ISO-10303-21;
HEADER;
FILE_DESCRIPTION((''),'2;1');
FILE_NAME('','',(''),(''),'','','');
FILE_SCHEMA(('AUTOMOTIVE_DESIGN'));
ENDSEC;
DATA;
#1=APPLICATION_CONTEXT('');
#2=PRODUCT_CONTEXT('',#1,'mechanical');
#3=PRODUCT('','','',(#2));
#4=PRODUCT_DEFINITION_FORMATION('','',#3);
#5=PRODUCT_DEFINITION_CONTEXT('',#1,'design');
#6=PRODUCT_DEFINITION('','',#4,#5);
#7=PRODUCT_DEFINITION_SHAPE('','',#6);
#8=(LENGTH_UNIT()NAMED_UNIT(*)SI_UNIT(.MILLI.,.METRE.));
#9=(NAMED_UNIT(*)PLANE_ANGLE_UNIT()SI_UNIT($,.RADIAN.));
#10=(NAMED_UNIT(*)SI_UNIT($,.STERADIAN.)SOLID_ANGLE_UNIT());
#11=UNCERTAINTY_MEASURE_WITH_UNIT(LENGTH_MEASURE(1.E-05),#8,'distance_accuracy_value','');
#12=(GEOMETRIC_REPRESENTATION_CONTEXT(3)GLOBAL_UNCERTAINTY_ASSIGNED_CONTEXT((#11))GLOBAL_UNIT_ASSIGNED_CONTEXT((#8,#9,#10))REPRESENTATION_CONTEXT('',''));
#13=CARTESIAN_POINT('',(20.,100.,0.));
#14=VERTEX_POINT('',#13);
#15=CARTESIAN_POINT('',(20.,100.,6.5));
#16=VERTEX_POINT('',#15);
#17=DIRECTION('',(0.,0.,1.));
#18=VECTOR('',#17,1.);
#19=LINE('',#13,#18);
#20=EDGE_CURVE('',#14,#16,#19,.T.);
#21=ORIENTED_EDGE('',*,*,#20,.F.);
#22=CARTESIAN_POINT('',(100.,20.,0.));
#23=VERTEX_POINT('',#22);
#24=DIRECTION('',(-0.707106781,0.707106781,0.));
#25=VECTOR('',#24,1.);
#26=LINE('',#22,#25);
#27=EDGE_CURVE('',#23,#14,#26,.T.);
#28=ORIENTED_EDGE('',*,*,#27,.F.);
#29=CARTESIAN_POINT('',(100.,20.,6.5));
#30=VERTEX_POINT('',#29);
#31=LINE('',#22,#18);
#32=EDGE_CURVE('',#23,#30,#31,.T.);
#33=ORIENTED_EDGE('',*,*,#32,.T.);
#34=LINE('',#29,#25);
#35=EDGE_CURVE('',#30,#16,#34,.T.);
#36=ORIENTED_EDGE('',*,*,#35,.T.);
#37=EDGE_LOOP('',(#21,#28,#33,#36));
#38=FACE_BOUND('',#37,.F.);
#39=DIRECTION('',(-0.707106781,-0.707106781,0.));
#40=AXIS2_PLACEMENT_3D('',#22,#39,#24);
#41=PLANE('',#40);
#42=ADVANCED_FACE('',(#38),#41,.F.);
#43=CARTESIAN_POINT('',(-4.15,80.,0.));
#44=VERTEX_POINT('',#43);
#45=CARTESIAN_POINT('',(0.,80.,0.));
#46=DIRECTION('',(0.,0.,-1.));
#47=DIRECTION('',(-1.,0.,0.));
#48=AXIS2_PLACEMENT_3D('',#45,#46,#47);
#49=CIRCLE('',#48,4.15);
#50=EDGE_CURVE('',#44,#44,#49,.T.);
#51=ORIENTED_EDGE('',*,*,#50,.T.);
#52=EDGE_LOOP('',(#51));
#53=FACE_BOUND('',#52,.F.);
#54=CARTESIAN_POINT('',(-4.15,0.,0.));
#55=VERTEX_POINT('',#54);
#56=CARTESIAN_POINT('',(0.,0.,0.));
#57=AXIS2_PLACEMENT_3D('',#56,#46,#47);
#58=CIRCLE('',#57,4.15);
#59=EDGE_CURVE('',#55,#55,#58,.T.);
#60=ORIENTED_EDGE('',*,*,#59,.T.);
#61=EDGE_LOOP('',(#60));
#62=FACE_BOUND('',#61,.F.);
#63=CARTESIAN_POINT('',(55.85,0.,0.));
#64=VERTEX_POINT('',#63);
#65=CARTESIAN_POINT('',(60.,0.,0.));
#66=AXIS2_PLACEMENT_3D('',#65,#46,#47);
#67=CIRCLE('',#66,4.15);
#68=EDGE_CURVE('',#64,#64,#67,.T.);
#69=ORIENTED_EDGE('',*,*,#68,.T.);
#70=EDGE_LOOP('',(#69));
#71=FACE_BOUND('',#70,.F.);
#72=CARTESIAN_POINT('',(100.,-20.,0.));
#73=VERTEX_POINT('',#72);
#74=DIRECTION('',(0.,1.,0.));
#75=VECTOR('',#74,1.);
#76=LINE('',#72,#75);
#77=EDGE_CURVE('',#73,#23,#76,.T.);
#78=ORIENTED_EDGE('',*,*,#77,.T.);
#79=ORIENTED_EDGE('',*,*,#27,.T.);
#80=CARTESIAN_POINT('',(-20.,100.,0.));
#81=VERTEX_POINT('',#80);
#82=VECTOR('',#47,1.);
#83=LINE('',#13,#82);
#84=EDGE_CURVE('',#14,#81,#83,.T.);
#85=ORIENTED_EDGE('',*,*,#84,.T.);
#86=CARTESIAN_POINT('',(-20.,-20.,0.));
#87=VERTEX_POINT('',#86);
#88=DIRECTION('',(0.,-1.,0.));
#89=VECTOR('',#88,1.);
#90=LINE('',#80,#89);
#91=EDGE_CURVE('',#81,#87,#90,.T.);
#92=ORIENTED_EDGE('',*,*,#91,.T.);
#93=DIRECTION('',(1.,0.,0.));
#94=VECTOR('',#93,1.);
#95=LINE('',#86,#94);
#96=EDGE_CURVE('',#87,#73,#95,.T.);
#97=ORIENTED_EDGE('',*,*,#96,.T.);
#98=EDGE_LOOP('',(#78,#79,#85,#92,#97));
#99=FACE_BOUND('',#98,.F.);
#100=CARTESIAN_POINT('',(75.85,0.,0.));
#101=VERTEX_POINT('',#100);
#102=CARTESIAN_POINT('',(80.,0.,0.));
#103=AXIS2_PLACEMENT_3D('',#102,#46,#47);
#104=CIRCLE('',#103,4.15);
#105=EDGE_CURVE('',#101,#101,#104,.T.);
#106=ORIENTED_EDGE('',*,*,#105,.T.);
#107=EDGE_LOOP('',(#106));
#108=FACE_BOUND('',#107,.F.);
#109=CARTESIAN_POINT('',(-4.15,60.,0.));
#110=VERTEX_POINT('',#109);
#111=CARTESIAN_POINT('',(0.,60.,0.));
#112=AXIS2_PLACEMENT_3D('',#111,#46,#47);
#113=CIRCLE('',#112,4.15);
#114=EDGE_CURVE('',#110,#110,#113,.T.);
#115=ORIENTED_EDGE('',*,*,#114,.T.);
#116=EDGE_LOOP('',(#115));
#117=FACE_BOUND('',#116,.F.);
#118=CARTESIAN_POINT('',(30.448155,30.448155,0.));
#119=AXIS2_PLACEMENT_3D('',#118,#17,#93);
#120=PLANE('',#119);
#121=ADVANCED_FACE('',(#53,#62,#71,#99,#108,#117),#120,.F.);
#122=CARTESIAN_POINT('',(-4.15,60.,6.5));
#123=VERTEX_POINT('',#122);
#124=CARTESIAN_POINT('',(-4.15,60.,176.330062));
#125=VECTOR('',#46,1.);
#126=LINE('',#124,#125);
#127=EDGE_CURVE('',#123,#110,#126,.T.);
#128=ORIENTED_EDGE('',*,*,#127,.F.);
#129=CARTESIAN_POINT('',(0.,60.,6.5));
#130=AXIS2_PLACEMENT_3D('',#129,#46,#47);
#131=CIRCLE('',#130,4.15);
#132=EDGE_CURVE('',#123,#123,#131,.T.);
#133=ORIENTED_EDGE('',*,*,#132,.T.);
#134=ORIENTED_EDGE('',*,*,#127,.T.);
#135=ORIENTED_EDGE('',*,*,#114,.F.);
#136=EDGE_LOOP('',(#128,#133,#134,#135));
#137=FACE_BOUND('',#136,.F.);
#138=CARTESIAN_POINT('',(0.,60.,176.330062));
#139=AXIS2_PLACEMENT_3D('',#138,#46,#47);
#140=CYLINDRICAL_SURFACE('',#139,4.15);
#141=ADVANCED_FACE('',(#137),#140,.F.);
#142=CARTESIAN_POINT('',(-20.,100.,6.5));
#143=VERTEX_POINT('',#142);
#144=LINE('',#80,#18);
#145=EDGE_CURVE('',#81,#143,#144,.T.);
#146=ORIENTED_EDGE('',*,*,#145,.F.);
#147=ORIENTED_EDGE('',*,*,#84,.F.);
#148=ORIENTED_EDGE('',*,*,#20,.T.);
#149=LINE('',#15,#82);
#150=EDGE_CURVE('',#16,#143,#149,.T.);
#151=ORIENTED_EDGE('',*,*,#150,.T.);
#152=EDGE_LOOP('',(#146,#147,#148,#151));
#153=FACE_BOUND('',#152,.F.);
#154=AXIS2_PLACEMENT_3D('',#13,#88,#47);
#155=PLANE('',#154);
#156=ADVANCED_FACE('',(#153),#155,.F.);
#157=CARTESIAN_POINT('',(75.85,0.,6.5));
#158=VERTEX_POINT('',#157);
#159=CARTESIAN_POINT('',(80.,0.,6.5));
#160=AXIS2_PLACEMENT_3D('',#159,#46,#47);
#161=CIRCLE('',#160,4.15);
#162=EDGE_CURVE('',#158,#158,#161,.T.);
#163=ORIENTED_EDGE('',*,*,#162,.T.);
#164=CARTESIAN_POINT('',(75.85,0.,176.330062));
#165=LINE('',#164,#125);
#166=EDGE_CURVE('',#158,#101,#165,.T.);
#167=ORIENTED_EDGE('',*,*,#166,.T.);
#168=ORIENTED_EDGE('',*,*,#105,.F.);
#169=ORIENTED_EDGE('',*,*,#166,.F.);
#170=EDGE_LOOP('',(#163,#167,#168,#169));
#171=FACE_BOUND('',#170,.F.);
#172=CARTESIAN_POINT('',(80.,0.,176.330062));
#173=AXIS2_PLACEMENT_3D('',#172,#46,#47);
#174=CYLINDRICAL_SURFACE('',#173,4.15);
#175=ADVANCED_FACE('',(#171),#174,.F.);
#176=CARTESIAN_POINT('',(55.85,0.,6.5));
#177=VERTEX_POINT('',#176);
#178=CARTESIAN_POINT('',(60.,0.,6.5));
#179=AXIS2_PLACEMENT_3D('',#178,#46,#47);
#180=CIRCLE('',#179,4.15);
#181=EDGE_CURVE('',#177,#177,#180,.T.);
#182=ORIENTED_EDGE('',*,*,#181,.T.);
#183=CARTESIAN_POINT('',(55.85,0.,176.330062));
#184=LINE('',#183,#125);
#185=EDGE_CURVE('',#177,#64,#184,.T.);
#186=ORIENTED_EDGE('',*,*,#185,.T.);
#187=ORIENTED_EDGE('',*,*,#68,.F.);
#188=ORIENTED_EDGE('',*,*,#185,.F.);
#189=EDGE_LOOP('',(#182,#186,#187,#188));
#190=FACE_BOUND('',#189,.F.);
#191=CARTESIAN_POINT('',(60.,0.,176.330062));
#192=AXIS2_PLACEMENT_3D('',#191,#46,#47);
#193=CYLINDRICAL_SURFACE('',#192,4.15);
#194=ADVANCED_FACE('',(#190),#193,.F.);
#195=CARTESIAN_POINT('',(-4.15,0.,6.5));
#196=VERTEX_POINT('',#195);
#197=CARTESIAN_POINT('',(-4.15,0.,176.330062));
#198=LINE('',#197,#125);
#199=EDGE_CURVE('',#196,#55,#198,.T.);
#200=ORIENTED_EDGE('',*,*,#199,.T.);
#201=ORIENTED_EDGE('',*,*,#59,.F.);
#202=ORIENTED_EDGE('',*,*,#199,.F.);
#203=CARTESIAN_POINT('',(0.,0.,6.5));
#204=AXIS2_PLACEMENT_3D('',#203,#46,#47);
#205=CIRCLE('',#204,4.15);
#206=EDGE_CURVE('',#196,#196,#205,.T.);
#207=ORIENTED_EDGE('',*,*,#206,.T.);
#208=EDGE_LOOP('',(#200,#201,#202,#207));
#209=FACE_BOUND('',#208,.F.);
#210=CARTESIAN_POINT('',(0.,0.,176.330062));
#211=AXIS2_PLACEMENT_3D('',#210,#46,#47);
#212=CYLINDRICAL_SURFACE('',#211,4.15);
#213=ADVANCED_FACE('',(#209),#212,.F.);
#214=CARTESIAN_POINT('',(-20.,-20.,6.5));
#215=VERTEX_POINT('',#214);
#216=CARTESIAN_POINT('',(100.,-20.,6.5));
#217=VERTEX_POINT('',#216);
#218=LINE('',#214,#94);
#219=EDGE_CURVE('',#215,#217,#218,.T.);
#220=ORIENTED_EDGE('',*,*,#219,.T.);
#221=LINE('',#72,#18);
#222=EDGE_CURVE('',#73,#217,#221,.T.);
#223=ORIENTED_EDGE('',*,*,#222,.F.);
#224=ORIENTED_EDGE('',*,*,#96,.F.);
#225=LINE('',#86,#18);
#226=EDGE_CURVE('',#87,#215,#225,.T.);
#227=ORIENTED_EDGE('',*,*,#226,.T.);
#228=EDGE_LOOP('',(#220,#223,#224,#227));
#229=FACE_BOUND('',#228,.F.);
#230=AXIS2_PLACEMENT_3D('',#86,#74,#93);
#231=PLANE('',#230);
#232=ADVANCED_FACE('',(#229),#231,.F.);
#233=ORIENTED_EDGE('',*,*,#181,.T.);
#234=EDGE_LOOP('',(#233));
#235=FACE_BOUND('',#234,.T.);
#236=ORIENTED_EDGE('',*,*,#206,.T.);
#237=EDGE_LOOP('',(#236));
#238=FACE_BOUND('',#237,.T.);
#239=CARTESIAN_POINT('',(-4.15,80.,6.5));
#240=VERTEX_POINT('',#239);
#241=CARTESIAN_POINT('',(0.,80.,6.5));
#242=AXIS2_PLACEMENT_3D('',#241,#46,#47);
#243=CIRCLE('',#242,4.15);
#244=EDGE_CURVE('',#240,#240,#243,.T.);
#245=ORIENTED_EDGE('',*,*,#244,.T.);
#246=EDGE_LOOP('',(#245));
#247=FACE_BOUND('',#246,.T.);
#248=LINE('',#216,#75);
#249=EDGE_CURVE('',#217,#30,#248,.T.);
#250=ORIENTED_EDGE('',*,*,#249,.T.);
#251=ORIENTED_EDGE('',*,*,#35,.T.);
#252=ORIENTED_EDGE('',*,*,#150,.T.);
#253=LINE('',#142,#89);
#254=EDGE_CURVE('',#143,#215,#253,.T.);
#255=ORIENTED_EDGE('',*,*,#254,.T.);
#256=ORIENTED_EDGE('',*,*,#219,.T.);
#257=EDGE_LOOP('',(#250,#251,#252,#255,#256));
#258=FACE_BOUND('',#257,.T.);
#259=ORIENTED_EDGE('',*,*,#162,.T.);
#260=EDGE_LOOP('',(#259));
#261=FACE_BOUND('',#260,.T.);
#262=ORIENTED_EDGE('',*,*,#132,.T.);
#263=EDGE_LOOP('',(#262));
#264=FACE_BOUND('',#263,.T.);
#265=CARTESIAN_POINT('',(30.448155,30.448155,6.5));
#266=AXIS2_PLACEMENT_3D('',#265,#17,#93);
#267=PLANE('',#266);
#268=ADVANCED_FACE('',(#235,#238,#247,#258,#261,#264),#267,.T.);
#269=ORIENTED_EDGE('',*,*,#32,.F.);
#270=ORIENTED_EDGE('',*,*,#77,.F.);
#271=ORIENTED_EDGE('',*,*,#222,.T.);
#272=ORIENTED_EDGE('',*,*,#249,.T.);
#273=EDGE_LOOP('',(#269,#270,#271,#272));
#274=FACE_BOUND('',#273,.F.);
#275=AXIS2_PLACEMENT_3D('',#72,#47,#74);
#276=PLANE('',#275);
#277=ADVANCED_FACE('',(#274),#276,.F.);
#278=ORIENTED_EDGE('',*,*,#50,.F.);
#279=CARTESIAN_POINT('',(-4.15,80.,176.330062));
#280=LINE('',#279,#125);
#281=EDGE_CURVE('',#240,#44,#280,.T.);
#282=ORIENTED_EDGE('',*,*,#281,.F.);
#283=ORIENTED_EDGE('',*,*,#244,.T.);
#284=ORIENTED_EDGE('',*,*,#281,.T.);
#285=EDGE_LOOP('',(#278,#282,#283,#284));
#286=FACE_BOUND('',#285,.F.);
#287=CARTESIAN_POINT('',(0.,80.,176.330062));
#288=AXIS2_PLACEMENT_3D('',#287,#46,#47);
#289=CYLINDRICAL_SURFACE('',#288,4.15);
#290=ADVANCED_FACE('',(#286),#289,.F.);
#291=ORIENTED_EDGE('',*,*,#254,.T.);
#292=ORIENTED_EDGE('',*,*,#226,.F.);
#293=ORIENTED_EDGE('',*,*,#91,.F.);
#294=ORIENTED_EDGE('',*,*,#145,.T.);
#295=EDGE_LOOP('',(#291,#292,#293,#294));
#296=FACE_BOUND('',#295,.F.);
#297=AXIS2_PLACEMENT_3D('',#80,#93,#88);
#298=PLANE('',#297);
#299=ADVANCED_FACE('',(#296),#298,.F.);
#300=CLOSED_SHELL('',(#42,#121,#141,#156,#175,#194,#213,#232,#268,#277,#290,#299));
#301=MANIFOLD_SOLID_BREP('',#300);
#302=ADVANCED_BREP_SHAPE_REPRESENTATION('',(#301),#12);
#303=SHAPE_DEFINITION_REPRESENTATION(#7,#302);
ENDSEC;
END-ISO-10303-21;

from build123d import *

# Parameters (mm, degrees)
F1_DEPTH = 6.5
F3_D     = 8.3


with BuildPart() as f1:
    # F0 (on Top) → F1 (new body)
    with BuildSketch(Plane.XY):
        Polygon((100, 20), (20, 100), (-20, 100), (-20, -20), (100, -20), align=None)
    extrude(amount=F1_DEPTH)

    # F3 (through all)
    with Locations(Plane.XY.offset(6.5)):
        with Locations((0, 80), (0, 60), (0, 0), (60, 0), (80, 0)):
            Hole(F3_D / 2)


solid = f1.part
